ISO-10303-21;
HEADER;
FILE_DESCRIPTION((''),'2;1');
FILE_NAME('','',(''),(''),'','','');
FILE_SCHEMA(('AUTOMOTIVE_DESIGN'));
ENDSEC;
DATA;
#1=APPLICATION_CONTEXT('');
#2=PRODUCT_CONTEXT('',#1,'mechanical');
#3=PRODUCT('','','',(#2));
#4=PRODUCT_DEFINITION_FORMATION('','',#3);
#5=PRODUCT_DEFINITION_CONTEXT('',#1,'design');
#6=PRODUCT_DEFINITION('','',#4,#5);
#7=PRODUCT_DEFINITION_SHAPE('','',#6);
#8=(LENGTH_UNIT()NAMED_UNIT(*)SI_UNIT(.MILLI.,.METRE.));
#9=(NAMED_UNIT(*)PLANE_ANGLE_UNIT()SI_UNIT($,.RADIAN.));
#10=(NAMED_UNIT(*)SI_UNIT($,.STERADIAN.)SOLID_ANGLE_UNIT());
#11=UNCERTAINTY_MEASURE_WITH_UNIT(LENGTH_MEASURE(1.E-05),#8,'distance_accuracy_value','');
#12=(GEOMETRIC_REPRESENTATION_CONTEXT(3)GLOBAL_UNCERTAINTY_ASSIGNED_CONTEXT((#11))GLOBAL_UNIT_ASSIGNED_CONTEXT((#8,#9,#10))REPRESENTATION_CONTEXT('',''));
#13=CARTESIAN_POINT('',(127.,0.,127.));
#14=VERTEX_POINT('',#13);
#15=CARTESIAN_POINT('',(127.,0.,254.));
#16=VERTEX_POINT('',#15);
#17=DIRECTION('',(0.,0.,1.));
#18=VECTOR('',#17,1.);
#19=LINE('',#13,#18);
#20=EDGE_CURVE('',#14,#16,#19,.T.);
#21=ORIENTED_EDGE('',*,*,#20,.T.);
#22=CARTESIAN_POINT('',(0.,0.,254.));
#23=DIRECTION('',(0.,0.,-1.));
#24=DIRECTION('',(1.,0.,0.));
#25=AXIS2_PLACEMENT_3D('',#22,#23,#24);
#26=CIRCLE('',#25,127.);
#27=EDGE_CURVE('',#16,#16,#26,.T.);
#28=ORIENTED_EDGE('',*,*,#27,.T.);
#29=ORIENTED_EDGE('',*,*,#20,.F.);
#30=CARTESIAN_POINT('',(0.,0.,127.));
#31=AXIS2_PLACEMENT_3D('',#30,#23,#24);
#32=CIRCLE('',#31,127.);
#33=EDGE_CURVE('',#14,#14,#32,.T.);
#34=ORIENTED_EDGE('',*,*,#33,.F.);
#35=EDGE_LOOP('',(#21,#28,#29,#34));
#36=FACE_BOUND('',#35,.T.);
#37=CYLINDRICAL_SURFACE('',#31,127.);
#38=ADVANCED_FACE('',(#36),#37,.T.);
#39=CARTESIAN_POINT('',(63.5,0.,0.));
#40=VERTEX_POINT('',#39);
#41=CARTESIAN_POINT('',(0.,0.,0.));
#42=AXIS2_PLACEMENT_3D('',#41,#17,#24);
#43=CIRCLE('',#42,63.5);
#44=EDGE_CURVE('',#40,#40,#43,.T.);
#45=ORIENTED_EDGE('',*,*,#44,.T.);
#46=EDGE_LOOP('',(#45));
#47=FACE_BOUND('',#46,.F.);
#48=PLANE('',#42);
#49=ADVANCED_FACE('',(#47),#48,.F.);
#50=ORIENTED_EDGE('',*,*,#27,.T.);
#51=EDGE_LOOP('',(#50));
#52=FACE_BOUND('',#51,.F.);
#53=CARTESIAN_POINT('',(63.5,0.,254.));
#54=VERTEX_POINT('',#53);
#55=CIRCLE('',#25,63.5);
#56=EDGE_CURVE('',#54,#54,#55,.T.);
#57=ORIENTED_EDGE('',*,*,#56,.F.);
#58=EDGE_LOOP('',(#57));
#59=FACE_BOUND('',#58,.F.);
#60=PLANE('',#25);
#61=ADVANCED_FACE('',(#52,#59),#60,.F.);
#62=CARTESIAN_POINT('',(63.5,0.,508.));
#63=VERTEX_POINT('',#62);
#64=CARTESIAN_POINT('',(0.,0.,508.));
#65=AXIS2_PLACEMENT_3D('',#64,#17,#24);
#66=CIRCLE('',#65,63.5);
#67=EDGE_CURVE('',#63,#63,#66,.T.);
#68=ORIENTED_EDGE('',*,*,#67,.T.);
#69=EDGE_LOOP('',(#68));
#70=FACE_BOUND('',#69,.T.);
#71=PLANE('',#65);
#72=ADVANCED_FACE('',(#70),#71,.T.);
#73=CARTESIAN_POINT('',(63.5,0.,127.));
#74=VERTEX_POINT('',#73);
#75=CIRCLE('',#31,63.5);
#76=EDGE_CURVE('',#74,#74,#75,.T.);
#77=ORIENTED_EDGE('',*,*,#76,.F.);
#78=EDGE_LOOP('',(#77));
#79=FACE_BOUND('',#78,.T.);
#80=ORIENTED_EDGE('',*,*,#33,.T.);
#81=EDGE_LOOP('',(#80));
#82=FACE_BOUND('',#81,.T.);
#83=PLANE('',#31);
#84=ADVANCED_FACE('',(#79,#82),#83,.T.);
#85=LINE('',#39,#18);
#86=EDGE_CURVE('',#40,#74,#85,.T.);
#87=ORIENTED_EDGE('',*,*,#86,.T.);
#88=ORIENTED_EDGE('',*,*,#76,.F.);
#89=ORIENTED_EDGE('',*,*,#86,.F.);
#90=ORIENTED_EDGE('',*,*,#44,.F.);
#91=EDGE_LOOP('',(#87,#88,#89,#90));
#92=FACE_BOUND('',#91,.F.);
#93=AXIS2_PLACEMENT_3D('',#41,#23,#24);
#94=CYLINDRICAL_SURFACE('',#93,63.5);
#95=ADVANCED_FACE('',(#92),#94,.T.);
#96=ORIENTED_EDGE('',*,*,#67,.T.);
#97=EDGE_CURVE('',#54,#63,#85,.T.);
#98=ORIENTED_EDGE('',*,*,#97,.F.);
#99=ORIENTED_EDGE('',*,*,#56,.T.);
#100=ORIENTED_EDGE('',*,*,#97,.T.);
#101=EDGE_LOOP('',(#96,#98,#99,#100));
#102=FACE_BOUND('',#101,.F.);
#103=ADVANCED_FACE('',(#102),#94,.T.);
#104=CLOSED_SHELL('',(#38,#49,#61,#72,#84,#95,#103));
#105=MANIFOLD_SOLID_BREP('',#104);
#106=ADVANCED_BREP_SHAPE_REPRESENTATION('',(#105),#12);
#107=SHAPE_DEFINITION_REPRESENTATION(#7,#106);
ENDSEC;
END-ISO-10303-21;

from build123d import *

# Parameters (mm, degrees)
F0_R     = 63.5
F1_DEPTH = 508
F3_R     = 127
F4_DEPTH = 127


with BuildPart() as f1:
    # F0 (on Top) → F1 (new body)
    with BuildSketch(Plane.XY):
        Circle(F0_R)
    extrude(amount=F1_DEPTH)

    # F3 (on offset) → F4 (join)
    with BuildSketch(Plane(origin=(0, 0, 127), x_dir=(1, 0, 0), z_dir=(0, 0, -1))):
        Circle(F3_R)
    extrude(amount=-F4_DEPTH)


solid = f1.part
